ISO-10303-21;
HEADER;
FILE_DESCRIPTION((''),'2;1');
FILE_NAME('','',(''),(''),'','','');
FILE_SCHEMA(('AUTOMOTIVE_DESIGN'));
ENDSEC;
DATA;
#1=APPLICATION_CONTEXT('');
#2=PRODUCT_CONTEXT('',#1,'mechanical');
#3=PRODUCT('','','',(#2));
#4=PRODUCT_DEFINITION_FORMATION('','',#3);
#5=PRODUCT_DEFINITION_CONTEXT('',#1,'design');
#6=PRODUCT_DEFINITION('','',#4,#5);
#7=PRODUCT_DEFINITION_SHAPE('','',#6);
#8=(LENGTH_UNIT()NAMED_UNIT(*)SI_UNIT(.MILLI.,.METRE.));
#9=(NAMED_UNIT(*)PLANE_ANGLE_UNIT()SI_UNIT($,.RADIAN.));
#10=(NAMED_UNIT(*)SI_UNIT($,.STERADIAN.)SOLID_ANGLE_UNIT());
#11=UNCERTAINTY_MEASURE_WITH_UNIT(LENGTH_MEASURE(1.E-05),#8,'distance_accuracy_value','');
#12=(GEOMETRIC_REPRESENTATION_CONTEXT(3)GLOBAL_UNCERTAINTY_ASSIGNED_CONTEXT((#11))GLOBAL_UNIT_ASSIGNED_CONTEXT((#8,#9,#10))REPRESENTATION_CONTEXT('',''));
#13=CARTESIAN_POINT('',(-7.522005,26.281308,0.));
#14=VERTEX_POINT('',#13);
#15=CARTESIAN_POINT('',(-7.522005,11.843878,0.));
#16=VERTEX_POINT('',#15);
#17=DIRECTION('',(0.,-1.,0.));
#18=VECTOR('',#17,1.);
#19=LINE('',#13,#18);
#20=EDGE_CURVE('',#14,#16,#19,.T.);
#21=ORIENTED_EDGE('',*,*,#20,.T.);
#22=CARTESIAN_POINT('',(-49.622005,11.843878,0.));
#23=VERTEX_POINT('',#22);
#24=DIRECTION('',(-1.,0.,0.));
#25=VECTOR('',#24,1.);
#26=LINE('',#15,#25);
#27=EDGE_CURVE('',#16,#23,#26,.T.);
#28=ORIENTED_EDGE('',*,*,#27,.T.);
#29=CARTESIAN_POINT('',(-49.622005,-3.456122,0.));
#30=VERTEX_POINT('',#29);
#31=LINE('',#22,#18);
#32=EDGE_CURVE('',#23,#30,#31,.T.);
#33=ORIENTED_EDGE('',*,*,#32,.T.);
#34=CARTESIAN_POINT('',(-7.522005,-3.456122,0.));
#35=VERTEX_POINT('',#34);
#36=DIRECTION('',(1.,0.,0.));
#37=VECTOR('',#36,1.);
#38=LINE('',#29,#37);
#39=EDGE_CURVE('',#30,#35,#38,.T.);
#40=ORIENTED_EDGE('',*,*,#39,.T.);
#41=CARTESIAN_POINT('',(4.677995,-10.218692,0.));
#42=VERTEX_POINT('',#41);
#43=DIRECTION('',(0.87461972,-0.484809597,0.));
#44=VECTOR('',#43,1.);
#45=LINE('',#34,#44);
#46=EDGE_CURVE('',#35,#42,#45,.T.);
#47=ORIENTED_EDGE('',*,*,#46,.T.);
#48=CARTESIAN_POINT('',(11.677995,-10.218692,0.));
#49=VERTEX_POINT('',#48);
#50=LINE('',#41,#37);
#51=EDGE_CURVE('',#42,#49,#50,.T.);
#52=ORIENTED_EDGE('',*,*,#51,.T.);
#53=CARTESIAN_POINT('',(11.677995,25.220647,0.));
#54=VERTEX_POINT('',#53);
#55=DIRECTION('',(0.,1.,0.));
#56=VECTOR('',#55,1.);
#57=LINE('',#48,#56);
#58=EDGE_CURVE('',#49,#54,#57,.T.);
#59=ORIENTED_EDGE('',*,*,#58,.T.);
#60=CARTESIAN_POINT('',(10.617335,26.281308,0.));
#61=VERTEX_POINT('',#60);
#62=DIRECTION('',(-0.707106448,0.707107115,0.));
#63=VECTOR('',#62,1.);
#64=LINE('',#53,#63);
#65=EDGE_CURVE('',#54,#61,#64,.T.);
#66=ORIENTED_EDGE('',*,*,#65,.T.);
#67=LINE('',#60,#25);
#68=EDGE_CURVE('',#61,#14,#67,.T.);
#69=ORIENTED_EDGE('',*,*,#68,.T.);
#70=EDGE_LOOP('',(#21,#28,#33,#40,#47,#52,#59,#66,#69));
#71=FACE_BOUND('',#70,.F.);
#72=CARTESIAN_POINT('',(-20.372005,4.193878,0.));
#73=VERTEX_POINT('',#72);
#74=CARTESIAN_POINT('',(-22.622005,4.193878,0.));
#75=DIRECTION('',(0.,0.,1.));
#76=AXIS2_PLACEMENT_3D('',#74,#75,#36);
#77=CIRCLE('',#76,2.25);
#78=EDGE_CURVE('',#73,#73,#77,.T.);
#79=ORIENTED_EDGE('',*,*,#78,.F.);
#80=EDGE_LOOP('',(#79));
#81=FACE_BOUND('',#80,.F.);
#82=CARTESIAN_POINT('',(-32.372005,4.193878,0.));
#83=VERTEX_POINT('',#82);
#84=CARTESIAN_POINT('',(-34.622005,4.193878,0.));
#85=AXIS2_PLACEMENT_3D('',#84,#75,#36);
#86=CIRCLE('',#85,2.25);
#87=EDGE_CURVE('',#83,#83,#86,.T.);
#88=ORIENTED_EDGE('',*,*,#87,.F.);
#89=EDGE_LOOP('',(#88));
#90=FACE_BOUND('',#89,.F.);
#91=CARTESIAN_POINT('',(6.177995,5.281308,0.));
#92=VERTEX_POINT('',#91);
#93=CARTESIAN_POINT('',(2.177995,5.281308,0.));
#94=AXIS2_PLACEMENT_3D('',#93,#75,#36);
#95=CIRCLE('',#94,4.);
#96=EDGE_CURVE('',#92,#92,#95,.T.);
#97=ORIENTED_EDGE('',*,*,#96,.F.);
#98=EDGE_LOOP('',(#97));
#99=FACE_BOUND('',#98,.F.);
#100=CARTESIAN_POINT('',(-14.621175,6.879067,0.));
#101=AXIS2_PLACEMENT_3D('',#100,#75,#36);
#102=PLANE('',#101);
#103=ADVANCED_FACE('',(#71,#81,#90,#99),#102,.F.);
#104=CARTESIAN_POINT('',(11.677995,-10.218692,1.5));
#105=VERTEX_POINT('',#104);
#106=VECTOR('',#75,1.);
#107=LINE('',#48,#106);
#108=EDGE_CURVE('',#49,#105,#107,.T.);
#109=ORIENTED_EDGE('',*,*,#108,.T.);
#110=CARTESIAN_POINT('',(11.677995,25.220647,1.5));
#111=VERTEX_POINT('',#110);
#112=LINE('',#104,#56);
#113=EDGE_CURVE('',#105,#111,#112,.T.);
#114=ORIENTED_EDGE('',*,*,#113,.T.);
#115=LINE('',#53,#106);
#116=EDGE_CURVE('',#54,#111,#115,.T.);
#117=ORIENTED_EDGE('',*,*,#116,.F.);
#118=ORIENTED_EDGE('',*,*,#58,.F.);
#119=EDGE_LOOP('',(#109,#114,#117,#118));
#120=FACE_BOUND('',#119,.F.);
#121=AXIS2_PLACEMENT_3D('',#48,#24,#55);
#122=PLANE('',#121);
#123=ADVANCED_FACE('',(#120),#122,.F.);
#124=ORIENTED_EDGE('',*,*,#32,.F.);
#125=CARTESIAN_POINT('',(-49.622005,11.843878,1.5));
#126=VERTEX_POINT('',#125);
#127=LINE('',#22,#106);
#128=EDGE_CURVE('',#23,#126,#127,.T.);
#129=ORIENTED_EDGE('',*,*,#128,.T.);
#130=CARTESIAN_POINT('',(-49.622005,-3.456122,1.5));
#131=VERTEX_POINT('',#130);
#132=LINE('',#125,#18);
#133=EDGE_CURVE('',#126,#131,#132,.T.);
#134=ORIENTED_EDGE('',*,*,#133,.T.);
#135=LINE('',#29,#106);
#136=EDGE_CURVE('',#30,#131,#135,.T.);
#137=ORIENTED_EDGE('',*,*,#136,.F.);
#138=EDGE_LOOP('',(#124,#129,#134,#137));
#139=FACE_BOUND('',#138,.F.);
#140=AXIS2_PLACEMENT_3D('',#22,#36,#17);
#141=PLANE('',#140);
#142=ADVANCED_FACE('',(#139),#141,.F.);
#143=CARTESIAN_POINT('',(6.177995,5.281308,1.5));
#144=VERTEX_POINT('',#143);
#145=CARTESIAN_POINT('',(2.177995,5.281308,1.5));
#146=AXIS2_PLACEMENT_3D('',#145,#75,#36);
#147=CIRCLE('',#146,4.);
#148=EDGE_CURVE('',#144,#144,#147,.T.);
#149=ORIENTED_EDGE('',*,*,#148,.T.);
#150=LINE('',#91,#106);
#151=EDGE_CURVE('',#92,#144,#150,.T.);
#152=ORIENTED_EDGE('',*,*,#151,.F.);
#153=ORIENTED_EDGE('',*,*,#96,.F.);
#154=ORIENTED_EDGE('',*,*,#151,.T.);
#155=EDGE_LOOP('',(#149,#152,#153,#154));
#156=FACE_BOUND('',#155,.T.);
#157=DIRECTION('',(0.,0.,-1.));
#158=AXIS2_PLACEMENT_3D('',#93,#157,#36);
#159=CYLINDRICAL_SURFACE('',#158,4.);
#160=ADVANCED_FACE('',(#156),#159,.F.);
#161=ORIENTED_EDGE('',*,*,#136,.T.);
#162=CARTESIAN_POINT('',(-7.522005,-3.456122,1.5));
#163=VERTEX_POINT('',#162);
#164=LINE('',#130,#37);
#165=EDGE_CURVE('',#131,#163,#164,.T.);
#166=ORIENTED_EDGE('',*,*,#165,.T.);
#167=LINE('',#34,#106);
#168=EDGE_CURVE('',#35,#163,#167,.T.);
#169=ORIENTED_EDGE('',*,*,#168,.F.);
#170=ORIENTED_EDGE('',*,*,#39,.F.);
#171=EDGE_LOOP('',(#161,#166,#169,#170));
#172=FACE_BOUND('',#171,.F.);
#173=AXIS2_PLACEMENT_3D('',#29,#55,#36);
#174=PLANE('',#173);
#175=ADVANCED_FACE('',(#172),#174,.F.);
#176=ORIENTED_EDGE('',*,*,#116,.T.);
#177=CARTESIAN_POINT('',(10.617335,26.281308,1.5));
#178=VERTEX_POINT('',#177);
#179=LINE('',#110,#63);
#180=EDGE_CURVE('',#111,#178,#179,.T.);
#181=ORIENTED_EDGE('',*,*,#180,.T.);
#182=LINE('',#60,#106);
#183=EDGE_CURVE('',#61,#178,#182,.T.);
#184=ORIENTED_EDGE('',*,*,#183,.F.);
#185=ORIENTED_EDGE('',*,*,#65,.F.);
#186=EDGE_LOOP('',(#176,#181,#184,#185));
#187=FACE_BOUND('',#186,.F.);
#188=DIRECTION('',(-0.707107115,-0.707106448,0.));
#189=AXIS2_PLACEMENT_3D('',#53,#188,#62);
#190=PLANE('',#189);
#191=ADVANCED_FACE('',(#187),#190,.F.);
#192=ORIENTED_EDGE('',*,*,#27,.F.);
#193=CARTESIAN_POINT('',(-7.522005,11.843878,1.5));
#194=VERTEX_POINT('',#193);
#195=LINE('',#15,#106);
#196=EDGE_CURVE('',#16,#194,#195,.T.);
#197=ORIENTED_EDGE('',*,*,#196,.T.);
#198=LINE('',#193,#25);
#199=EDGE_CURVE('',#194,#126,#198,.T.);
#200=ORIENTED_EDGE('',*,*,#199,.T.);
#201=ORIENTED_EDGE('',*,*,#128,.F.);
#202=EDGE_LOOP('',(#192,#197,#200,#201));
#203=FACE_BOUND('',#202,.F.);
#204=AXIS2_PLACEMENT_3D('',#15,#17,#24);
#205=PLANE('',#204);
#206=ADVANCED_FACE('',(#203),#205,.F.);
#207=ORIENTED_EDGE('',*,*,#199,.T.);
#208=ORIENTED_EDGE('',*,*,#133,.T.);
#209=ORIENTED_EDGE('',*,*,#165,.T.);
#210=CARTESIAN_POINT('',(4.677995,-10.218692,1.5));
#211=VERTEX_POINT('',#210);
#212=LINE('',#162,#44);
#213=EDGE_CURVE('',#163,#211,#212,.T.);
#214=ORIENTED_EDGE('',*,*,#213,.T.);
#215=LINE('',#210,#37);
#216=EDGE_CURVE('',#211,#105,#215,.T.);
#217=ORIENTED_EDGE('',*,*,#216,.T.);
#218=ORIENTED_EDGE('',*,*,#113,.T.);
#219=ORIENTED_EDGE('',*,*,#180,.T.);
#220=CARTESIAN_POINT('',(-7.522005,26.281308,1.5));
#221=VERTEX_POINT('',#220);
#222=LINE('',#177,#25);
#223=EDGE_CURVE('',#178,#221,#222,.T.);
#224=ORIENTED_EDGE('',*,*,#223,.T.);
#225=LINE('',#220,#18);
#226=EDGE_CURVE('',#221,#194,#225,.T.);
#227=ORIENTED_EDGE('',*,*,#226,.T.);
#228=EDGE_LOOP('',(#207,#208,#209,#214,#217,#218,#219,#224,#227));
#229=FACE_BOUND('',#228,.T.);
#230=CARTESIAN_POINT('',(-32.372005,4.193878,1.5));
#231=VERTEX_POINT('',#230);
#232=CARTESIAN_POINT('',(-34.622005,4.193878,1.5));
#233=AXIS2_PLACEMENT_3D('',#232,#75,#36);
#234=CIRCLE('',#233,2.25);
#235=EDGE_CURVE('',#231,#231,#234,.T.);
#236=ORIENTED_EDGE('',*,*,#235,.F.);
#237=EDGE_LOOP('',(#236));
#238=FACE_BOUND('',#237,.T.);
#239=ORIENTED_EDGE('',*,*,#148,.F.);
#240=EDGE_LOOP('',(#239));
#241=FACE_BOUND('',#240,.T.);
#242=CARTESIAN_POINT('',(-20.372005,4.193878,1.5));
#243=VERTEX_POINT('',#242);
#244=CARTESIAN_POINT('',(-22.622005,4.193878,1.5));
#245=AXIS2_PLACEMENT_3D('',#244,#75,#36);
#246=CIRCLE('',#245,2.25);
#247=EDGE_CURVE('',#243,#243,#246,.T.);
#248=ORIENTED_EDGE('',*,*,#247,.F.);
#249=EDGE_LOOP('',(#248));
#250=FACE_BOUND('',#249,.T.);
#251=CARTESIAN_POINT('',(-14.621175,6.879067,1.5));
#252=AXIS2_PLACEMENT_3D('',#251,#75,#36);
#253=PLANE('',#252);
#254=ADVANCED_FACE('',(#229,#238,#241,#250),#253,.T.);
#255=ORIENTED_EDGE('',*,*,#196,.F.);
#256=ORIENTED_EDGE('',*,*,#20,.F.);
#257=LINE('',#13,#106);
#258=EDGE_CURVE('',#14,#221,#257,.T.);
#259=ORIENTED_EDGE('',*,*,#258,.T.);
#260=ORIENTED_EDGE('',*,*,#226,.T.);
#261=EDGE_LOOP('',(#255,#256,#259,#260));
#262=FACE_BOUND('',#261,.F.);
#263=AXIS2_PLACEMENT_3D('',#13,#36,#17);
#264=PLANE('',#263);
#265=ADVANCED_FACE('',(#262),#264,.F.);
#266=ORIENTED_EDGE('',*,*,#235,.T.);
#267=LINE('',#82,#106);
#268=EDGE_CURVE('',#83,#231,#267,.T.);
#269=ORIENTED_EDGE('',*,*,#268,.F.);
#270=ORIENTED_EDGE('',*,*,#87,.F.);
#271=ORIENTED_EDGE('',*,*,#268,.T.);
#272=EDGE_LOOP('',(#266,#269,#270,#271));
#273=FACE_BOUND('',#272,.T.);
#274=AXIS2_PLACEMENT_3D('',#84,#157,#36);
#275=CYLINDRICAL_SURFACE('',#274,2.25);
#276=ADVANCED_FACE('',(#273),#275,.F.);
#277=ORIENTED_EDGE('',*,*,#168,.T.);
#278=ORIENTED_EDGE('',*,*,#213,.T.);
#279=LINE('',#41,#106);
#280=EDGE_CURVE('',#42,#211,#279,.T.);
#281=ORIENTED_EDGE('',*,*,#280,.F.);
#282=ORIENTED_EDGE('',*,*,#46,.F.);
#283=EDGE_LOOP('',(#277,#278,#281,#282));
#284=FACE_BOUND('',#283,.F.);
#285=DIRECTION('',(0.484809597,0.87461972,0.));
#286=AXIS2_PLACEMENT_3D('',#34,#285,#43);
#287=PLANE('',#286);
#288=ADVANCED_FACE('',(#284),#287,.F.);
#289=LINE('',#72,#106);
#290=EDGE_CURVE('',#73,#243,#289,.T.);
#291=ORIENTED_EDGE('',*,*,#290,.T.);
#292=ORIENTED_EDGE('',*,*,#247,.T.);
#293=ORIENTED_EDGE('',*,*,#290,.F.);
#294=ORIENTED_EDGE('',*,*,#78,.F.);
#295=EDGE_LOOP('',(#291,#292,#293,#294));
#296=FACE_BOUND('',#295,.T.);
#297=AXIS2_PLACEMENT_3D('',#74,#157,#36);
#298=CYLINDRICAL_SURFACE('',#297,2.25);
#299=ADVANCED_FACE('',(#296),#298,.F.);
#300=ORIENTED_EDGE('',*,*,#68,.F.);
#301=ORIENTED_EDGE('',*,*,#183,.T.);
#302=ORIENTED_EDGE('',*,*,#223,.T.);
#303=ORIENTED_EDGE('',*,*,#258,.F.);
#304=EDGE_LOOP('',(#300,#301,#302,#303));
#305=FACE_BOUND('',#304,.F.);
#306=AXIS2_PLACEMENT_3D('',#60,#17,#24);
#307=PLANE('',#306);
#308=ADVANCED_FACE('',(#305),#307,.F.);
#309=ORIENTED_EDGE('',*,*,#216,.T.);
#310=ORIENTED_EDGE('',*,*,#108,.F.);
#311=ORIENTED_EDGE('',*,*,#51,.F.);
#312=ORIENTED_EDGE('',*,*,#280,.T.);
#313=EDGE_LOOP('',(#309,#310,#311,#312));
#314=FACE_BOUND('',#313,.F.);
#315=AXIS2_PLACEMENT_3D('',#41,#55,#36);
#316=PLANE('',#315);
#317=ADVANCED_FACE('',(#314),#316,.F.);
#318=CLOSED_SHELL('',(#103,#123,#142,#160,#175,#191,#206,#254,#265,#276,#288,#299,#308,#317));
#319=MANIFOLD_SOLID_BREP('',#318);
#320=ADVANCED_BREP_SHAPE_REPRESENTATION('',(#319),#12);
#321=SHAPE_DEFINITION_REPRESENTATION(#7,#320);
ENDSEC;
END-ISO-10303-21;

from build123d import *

# Parameters (mm, degrees)
F0_R     = 2.25
F0_R_2   = 4
F1_DEPTH = 1.5


with BuildPart() as f1:
    # F0 (on Top) → F1 (new body)
    with BuildSketch(Plane.XY):
        Polygon((-7.522005, 11.843878), (-49.622005, 11.843878), (-49.622005, -3.456122), (-7.522005, -3.456122), (4.677995, -10.218692), (11.677995, -10.218692), (11.677995, 25.220647), (10.617335, 26.281308), (-7.522005, 26.281308), align=None)
        with Locations((-34.622005, 4.193878)):
            Circle(F0_R, mode=Mode.SUBTRACT)
        with Locations((-22.622005, 4.193878)):
            Circle(F0_R, mode=Mode.SUBTRACT)
        with Locations((2.177995, 5.281308)):
            Circle(F0_R_2, mode=Mode.SUBTRACT)
    extrude(amount=F1_DEPTH)


solid = f1.part
